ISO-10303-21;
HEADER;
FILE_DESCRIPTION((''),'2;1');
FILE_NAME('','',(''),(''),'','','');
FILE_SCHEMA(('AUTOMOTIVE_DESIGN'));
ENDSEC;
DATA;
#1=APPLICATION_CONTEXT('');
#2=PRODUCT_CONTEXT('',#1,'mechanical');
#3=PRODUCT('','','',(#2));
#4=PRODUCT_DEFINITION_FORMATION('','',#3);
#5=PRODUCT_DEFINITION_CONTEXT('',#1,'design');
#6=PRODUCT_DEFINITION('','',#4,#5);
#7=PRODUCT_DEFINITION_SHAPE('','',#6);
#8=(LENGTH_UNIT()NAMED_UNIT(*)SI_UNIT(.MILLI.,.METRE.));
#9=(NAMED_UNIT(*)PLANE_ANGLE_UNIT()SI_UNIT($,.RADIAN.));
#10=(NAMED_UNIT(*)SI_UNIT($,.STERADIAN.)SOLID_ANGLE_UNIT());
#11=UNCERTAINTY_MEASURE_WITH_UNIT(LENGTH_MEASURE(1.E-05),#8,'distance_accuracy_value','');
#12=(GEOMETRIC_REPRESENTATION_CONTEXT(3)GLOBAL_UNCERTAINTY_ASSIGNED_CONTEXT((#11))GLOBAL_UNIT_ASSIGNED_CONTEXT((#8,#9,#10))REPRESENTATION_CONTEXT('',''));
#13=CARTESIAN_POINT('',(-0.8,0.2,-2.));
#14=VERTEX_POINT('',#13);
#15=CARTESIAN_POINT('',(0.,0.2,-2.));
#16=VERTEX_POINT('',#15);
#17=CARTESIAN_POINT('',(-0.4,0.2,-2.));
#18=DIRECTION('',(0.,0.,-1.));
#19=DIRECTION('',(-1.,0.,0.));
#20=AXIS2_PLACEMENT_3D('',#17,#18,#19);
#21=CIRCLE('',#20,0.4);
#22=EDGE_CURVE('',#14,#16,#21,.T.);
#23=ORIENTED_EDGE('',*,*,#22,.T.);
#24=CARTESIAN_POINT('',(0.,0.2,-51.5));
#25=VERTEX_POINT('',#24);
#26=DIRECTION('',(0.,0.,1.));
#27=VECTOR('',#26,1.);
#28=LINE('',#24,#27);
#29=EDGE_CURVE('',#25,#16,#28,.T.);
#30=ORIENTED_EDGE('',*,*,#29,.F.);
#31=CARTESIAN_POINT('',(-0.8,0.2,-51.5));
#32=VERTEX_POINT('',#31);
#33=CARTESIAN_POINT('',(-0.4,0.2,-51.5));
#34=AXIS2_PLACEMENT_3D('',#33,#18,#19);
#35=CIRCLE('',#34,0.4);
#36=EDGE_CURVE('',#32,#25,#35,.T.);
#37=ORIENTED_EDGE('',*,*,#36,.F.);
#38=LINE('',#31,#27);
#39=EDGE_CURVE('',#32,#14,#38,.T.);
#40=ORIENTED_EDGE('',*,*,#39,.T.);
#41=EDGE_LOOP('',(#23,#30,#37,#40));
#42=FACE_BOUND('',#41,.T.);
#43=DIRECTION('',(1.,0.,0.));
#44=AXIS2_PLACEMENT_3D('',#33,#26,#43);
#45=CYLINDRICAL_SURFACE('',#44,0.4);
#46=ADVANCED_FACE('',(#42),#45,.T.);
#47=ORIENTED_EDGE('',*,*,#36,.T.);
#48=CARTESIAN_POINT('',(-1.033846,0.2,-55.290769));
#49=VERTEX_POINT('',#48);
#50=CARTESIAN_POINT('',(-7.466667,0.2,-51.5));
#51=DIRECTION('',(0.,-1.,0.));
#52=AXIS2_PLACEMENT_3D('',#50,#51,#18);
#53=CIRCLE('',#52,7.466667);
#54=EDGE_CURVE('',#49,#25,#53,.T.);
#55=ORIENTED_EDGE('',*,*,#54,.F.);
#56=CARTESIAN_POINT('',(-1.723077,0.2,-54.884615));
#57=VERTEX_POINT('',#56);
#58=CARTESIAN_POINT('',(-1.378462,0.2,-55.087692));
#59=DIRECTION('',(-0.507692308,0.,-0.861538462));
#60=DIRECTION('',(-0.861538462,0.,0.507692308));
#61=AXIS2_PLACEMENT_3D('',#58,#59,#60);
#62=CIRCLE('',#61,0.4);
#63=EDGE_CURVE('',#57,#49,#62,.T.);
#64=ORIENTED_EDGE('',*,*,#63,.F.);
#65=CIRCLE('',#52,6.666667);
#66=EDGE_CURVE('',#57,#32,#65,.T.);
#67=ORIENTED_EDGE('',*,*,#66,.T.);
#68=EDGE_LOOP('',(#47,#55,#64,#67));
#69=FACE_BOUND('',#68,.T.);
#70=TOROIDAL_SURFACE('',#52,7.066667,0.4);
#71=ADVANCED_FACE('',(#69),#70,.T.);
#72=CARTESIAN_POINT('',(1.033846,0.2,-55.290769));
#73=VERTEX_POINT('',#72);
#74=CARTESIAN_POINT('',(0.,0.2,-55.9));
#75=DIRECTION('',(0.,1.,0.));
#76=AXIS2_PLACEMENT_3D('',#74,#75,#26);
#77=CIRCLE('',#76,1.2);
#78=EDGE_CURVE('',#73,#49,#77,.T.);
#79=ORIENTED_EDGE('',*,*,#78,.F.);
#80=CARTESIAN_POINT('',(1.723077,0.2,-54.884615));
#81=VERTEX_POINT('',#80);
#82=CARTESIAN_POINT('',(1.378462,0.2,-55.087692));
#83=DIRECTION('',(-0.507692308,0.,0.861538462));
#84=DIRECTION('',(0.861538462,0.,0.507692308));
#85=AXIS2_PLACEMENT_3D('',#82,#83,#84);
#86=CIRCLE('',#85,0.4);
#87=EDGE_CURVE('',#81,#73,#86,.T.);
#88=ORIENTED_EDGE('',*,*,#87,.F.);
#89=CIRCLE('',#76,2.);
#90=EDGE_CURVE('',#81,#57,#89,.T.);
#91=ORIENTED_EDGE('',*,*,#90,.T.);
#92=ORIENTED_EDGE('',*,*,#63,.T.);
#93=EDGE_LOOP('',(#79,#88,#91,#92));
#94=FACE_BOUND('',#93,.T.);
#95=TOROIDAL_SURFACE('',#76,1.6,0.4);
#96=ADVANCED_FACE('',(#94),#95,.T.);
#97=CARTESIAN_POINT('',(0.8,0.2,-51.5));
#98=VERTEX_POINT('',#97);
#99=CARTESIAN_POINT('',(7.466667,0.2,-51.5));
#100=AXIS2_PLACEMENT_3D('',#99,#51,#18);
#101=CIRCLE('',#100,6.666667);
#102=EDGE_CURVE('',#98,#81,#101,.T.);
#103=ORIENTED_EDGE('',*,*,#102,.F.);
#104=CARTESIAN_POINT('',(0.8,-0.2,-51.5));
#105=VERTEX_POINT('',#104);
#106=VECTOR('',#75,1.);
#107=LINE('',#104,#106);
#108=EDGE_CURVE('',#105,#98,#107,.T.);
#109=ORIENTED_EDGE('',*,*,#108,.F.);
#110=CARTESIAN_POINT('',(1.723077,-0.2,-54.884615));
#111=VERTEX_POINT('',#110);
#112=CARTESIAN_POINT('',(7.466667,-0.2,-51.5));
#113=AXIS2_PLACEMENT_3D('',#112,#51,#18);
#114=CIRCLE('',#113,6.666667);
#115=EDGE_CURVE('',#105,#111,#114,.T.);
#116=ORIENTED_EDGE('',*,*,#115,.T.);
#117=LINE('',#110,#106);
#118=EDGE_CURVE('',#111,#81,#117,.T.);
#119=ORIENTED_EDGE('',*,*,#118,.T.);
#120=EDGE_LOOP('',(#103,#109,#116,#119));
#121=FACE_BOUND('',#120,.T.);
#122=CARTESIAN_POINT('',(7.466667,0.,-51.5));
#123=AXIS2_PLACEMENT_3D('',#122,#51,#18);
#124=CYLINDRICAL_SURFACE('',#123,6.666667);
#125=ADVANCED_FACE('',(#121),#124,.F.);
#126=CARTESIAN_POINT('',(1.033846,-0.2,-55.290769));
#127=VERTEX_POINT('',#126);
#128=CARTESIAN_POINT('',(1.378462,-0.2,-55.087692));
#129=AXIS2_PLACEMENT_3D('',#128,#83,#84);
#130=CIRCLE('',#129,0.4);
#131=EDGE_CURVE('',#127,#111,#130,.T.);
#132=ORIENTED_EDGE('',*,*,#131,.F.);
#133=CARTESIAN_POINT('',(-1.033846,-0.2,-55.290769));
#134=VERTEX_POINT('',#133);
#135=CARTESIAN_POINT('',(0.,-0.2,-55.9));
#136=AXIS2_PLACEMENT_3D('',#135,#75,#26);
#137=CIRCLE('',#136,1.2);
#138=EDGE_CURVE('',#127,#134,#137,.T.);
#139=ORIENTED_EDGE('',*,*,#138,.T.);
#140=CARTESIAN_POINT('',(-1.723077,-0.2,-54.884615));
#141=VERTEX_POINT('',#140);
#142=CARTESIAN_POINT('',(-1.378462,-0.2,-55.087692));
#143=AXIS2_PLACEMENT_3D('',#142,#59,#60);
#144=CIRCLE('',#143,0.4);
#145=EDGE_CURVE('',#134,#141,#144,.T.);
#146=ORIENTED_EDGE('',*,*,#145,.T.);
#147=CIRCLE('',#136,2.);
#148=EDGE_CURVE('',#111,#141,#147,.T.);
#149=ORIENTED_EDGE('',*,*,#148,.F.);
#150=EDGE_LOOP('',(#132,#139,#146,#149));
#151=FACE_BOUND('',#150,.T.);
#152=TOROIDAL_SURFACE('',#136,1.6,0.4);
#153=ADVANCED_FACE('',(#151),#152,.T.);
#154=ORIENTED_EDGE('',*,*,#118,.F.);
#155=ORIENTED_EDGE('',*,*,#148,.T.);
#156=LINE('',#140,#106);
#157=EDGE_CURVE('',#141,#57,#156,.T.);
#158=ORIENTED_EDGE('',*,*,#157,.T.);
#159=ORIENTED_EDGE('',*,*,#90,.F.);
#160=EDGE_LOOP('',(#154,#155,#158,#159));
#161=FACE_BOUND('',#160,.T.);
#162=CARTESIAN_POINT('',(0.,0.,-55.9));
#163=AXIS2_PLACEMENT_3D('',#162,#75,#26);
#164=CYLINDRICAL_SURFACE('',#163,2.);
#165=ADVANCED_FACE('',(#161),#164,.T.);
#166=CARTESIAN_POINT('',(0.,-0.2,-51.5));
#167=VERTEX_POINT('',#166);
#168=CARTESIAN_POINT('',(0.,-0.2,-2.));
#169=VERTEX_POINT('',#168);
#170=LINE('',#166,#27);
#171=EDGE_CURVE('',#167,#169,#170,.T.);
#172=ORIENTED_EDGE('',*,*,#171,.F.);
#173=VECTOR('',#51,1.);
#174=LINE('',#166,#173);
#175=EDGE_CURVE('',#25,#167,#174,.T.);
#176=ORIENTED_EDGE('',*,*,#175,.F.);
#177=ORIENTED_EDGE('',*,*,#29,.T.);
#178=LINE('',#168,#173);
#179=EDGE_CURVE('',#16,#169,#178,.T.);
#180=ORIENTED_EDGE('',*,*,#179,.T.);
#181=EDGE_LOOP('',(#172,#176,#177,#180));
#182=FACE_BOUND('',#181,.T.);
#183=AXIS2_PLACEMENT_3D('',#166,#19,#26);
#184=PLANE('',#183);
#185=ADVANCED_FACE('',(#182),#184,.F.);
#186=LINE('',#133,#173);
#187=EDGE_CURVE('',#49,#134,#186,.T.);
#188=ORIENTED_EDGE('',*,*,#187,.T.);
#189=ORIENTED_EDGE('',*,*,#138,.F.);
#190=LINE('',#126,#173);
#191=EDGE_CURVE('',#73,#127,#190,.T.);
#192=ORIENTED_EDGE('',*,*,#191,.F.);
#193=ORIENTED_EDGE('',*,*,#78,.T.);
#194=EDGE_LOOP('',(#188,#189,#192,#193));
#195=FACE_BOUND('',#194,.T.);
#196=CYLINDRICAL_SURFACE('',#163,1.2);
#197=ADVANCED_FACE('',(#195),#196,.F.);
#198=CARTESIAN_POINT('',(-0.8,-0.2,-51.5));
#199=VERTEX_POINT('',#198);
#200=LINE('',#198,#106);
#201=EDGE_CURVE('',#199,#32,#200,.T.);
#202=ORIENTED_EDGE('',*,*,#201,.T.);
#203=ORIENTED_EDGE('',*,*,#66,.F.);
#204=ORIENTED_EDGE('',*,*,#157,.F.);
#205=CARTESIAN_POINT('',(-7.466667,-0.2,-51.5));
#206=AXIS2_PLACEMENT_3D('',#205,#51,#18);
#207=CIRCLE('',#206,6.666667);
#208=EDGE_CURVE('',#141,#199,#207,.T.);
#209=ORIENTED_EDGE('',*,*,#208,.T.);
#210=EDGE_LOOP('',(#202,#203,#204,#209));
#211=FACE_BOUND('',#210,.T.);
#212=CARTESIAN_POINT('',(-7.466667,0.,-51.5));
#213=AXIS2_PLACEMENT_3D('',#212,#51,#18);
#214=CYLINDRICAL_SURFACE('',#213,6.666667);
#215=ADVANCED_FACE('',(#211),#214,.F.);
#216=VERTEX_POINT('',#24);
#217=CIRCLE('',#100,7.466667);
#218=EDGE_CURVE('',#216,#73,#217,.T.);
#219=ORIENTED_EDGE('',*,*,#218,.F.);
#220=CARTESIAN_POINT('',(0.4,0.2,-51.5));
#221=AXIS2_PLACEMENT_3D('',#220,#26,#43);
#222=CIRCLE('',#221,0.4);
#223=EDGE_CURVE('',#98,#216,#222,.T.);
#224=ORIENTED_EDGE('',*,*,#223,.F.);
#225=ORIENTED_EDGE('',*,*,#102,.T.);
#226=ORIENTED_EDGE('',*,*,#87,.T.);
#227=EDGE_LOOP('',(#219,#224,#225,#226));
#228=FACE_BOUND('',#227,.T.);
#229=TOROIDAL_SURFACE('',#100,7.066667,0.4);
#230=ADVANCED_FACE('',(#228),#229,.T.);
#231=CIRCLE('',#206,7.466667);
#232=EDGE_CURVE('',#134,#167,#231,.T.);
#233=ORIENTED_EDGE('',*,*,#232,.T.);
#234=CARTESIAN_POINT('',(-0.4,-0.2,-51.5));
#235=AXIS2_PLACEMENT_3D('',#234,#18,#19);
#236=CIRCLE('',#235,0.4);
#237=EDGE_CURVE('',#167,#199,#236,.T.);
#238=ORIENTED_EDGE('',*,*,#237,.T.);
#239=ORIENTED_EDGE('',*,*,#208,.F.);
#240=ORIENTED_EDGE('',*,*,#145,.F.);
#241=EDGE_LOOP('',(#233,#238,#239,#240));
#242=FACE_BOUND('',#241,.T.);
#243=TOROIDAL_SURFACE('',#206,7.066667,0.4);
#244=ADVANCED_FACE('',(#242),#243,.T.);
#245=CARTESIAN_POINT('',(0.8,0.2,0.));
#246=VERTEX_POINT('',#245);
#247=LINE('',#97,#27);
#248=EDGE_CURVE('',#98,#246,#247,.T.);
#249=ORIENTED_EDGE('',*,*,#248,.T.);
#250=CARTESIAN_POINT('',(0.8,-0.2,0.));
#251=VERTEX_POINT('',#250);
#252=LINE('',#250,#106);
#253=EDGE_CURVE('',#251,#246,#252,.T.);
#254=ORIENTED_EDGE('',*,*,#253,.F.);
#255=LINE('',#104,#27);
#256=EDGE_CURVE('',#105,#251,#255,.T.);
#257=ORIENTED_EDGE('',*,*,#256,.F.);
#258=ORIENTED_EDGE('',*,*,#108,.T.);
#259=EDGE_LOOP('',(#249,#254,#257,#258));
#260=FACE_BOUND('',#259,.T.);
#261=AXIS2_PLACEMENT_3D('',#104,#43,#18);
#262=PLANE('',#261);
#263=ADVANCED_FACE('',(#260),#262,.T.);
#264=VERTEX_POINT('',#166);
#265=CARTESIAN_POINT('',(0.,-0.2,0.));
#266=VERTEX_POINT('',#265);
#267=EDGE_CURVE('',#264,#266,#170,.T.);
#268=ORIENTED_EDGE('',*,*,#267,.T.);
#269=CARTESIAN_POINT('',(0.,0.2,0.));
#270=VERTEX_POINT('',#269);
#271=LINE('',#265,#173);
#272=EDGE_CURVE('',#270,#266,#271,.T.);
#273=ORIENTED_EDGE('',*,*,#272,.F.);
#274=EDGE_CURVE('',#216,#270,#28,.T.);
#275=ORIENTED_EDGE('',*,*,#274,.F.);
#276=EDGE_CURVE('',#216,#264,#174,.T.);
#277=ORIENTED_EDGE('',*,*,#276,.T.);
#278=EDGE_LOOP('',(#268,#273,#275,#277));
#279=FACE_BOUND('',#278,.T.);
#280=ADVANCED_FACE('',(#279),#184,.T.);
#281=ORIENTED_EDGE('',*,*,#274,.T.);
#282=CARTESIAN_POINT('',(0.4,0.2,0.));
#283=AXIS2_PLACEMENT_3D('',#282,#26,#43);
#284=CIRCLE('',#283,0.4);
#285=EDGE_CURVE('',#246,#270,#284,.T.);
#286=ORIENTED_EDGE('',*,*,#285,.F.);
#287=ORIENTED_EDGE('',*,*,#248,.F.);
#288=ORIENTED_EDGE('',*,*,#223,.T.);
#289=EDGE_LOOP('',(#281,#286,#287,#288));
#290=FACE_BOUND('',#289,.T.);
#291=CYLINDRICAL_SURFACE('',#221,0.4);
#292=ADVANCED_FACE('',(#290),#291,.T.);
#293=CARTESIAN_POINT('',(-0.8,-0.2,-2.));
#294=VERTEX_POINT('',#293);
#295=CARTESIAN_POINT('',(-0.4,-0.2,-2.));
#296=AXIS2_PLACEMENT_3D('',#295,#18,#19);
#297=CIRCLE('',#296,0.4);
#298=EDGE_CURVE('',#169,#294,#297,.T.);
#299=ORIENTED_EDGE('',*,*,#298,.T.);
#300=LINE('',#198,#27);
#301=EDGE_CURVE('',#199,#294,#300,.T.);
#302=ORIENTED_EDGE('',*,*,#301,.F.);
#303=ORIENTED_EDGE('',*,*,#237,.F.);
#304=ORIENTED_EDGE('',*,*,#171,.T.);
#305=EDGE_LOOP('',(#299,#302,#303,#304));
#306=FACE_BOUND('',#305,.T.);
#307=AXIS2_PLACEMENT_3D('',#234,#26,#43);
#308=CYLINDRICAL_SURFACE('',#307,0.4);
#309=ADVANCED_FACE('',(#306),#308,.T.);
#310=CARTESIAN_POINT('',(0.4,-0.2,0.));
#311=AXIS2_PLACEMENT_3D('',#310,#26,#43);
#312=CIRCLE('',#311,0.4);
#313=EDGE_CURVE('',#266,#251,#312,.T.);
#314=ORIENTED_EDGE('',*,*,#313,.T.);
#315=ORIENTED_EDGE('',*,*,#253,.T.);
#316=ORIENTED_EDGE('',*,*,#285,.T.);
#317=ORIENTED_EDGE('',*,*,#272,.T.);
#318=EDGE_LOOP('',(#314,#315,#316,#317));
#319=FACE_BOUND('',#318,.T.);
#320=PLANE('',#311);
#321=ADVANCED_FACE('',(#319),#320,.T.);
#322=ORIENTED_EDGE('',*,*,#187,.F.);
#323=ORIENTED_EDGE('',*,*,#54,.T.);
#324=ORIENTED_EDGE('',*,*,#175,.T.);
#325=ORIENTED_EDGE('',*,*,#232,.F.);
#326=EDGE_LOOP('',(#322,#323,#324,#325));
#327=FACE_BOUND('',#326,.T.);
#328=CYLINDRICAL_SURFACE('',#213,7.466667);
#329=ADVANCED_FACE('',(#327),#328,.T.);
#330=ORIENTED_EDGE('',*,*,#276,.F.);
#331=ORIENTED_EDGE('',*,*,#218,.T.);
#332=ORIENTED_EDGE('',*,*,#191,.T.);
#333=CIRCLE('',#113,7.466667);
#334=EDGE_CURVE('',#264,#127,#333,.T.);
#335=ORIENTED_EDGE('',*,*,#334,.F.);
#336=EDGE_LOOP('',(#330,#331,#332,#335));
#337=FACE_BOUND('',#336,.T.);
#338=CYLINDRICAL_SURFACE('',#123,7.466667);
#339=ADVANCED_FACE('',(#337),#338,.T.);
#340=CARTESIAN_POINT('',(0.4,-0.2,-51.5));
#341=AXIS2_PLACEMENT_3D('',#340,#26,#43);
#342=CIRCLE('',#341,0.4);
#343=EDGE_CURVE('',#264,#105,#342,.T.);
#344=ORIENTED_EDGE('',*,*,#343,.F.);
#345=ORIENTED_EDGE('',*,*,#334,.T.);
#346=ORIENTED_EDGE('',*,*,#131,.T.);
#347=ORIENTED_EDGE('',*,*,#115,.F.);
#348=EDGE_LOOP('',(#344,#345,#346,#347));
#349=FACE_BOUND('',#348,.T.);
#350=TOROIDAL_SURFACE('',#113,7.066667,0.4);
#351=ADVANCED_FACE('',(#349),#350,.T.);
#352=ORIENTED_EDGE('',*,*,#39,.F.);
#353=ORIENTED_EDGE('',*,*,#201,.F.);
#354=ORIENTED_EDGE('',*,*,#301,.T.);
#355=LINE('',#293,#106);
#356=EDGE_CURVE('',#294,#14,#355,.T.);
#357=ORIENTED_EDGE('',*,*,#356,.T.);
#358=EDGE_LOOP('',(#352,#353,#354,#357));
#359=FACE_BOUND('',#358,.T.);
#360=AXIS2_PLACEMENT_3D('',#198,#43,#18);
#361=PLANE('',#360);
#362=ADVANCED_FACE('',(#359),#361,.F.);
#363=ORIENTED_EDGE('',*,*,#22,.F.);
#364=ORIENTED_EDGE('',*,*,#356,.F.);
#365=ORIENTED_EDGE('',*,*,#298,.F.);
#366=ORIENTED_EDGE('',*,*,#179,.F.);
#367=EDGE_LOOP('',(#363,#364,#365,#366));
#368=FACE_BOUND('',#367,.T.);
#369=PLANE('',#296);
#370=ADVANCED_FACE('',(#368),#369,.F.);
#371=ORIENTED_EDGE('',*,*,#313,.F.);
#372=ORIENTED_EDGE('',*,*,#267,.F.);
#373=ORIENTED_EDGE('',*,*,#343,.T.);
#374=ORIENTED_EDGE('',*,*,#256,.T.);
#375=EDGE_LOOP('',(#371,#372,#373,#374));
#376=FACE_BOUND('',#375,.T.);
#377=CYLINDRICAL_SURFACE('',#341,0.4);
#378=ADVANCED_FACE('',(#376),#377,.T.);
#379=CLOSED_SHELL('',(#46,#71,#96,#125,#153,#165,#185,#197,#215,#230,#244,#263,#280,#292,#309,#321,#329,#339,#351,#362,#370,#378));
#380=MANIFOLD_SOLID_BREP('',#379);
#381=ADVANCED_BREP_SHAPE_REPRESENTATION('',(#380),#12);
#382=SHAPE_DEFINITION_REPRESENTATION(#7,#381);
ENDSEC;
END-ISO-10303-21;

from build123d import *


with BuildPart() as part:
    # Sweep1: sweep along a path in Sketch1
    with BuildLine(Plane(origin=(0, 0, 0), x_dir=(1, 0, 0), z_dir=(0, 1, 0))) as sweep1_path:
        Line((-0.4, 2), (-0.4, 51.5))
        ThreePointArc((-0.4, 51.5), (-0.64900233, 53.359363001), (-1.378461538, 55.087692308))
        ThreePointArc((-1.378461538, 55.087692308), (0, 57.5), (1.378461538, 55.087692308))
        ThreePointArc((1.378461538, 55.087692308), (0.64900233, 53.359363001), (0.4, 51.5))
        Line((0.4, 51.5), (0.4, 0))
    # Sketch2 → Sweep1 (sweep)
    with BuildSketch(Plane.XY):
        with BuildLine():
            Line((0, -0.2), (0, 0.2))
            ThreePointArc((0, 0.2), (0.4, 0.6), (0.8, 0.2))
            Line((0.8, 0.2), (0.8, -0.2))
            ThreePointArc((0.8, -0.2), (0.4, -0.6), (0, -0.2))
        make_face()
    sweep(path=sweep1_path.line)


solid = part.part
